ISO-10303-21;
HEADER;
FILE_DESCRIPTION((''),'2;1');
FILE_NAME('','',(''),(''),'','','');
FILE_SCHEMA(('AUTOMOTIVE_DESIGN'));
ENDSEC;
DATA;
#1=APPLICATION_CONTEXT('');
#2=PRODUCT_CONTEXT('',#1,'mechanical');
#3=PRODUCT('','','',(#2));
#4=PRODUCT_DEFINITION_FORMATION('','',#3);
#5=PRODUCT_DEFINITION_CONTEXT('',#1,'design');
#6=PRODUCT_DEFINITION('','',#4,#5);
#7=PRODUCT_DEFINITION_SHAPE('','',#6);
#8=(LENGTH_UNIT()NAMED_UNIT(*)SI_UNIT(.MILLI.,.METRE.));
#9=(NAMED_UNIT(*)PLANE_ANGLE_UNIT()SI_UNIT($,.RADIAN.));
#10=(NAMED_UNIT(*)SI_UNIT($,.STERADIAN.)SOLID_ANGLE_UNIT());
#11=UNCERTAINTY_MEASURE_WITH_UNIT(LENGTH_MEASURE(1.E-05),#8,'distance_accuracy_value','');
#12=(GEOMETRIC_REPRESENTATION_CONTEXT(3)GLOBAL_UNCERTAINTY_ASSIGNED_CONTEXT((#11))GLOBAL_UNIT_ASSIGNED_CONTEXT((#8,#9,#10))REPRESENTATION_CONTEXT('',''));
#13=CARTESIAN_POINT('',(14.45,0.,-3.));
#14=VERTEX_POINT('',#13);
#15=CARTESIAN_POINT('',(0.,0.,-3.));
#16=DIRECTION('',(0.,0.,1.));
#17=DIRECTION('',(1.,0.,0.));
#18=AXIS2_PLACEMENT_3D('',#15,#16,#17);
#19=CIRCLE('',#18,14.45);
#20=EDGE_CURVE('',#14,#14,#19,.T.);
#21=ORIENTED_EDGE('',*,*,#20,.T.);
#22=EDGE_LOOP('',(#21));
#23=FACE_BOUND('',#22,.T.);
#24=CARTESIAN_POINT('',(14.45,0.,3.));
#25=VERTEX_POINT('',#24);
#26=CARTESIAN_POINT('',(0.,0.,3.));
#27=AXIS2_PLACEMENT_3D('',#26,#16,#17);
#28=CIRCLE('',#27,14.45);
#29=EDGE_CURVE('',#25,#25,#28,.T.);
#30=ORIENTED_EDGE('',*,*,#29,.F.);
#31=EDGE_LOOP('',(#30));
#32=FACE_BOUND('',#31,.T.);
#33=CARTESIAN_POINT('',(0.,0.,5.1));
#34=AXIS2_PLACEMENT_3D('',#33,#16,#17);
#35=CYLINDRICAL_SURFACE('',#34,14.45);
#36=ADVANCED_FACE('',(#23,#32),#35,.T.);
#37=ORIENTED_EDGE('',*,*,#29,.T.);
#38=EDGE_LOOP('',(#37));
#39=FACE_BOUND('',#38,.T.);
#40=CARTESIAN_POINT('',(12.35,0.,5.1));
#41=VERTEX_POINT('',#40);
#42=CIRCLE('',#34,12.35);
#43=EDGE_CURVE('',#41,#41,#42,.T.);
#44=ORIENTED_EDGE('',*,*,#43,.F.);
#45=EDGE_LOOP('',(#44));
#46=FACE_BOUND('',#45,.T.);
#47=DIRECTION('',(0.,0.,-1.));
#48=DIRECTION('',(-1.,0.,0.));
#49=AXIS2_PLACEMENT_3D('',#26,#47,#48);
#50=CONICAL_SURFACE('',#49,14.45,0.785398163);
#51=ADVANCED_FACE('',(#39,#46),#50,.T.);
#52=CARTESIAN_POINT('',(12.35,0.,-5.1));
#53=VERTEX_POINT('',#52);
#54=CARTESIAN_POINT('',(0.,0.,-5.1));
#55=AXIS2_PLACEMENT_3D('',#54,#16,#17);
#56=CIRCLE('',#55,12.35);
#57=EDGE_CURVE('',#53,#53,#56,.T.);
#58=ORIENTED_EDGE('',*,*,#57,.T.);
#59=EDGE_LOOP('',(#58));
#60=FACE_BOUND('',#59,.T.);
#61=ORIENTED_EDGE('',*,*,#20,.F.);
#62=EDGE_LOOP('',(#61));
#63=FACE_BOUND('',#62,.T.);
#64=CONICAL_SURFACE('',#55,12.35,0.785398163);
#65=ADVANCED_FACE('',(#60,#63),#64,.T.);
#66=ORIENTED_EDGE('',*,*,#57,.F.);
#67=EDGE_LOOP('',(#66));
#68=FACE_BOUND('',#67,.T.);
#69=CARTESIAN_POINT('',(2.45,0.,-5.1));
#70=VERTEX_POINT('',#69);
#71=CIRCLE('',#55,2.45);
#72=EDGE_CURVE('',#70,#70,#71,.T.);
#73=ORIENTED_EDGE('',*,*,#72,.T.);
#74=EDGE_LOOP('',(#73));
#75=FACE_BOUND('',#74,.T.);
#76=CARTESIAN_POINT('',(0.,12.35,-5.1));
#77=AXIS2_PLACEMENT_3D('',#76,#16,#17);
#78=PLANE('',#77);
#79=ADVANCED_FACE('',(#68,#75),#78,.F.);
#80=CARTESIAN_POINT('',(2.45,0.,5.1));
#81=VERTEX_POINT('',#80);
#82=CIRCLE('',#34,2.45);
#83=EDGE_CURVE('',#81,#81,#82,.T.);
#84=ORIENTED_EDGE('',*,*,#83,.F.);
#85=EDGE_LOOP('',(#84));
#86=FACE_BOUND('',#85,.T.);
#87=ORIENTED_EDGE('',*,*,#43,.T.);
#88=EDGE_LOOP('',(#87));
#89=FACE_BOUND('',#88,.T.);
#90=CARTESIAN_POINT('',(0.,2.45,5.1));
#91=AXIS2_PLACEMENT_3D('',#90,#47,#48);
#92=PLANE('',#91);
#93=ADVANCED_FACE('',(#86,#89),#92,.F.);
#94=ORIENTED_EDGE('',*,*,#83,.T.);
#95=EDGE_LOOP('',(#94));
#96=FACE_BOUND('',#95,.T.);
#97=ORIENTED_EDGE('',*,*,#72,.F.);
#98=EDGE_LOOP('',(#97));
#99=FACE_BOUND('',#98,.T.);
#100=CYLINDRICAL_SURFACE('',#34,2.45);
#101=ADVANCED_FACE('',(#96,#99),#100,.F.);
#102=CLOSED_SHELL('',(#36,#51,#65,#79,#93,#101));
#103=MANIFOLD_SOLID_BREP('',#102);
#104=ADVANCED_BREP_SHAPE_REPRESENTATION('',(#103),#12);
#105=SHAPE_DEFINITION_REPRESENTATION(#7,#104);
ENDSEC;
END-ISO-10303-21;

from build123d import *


with BuildPart() as part:
    # Sketch1 → Revolve1 (revolve)
    with BuildSketch(Plane(origin=(0, 0, 0), x_dir=(0, 0, -1), z_dir=(1, 0, 0)), mode=Mode.PRIVATE) as revolve1_sk:
        Polygon((-5.1, 2.45), (-5.1, 12.35), (-3, 14.45), (3, 14.45), (5.1, 12.35), (5.1, 2.45), align=None)
    revolve(revolve1_sk.sketch.rotate(Axis((0, 0, 5.1), (0, 0, -1)), 90), axis=Axis((0, 0, 5.1), (0, 0, -1)))


solid = part.part
